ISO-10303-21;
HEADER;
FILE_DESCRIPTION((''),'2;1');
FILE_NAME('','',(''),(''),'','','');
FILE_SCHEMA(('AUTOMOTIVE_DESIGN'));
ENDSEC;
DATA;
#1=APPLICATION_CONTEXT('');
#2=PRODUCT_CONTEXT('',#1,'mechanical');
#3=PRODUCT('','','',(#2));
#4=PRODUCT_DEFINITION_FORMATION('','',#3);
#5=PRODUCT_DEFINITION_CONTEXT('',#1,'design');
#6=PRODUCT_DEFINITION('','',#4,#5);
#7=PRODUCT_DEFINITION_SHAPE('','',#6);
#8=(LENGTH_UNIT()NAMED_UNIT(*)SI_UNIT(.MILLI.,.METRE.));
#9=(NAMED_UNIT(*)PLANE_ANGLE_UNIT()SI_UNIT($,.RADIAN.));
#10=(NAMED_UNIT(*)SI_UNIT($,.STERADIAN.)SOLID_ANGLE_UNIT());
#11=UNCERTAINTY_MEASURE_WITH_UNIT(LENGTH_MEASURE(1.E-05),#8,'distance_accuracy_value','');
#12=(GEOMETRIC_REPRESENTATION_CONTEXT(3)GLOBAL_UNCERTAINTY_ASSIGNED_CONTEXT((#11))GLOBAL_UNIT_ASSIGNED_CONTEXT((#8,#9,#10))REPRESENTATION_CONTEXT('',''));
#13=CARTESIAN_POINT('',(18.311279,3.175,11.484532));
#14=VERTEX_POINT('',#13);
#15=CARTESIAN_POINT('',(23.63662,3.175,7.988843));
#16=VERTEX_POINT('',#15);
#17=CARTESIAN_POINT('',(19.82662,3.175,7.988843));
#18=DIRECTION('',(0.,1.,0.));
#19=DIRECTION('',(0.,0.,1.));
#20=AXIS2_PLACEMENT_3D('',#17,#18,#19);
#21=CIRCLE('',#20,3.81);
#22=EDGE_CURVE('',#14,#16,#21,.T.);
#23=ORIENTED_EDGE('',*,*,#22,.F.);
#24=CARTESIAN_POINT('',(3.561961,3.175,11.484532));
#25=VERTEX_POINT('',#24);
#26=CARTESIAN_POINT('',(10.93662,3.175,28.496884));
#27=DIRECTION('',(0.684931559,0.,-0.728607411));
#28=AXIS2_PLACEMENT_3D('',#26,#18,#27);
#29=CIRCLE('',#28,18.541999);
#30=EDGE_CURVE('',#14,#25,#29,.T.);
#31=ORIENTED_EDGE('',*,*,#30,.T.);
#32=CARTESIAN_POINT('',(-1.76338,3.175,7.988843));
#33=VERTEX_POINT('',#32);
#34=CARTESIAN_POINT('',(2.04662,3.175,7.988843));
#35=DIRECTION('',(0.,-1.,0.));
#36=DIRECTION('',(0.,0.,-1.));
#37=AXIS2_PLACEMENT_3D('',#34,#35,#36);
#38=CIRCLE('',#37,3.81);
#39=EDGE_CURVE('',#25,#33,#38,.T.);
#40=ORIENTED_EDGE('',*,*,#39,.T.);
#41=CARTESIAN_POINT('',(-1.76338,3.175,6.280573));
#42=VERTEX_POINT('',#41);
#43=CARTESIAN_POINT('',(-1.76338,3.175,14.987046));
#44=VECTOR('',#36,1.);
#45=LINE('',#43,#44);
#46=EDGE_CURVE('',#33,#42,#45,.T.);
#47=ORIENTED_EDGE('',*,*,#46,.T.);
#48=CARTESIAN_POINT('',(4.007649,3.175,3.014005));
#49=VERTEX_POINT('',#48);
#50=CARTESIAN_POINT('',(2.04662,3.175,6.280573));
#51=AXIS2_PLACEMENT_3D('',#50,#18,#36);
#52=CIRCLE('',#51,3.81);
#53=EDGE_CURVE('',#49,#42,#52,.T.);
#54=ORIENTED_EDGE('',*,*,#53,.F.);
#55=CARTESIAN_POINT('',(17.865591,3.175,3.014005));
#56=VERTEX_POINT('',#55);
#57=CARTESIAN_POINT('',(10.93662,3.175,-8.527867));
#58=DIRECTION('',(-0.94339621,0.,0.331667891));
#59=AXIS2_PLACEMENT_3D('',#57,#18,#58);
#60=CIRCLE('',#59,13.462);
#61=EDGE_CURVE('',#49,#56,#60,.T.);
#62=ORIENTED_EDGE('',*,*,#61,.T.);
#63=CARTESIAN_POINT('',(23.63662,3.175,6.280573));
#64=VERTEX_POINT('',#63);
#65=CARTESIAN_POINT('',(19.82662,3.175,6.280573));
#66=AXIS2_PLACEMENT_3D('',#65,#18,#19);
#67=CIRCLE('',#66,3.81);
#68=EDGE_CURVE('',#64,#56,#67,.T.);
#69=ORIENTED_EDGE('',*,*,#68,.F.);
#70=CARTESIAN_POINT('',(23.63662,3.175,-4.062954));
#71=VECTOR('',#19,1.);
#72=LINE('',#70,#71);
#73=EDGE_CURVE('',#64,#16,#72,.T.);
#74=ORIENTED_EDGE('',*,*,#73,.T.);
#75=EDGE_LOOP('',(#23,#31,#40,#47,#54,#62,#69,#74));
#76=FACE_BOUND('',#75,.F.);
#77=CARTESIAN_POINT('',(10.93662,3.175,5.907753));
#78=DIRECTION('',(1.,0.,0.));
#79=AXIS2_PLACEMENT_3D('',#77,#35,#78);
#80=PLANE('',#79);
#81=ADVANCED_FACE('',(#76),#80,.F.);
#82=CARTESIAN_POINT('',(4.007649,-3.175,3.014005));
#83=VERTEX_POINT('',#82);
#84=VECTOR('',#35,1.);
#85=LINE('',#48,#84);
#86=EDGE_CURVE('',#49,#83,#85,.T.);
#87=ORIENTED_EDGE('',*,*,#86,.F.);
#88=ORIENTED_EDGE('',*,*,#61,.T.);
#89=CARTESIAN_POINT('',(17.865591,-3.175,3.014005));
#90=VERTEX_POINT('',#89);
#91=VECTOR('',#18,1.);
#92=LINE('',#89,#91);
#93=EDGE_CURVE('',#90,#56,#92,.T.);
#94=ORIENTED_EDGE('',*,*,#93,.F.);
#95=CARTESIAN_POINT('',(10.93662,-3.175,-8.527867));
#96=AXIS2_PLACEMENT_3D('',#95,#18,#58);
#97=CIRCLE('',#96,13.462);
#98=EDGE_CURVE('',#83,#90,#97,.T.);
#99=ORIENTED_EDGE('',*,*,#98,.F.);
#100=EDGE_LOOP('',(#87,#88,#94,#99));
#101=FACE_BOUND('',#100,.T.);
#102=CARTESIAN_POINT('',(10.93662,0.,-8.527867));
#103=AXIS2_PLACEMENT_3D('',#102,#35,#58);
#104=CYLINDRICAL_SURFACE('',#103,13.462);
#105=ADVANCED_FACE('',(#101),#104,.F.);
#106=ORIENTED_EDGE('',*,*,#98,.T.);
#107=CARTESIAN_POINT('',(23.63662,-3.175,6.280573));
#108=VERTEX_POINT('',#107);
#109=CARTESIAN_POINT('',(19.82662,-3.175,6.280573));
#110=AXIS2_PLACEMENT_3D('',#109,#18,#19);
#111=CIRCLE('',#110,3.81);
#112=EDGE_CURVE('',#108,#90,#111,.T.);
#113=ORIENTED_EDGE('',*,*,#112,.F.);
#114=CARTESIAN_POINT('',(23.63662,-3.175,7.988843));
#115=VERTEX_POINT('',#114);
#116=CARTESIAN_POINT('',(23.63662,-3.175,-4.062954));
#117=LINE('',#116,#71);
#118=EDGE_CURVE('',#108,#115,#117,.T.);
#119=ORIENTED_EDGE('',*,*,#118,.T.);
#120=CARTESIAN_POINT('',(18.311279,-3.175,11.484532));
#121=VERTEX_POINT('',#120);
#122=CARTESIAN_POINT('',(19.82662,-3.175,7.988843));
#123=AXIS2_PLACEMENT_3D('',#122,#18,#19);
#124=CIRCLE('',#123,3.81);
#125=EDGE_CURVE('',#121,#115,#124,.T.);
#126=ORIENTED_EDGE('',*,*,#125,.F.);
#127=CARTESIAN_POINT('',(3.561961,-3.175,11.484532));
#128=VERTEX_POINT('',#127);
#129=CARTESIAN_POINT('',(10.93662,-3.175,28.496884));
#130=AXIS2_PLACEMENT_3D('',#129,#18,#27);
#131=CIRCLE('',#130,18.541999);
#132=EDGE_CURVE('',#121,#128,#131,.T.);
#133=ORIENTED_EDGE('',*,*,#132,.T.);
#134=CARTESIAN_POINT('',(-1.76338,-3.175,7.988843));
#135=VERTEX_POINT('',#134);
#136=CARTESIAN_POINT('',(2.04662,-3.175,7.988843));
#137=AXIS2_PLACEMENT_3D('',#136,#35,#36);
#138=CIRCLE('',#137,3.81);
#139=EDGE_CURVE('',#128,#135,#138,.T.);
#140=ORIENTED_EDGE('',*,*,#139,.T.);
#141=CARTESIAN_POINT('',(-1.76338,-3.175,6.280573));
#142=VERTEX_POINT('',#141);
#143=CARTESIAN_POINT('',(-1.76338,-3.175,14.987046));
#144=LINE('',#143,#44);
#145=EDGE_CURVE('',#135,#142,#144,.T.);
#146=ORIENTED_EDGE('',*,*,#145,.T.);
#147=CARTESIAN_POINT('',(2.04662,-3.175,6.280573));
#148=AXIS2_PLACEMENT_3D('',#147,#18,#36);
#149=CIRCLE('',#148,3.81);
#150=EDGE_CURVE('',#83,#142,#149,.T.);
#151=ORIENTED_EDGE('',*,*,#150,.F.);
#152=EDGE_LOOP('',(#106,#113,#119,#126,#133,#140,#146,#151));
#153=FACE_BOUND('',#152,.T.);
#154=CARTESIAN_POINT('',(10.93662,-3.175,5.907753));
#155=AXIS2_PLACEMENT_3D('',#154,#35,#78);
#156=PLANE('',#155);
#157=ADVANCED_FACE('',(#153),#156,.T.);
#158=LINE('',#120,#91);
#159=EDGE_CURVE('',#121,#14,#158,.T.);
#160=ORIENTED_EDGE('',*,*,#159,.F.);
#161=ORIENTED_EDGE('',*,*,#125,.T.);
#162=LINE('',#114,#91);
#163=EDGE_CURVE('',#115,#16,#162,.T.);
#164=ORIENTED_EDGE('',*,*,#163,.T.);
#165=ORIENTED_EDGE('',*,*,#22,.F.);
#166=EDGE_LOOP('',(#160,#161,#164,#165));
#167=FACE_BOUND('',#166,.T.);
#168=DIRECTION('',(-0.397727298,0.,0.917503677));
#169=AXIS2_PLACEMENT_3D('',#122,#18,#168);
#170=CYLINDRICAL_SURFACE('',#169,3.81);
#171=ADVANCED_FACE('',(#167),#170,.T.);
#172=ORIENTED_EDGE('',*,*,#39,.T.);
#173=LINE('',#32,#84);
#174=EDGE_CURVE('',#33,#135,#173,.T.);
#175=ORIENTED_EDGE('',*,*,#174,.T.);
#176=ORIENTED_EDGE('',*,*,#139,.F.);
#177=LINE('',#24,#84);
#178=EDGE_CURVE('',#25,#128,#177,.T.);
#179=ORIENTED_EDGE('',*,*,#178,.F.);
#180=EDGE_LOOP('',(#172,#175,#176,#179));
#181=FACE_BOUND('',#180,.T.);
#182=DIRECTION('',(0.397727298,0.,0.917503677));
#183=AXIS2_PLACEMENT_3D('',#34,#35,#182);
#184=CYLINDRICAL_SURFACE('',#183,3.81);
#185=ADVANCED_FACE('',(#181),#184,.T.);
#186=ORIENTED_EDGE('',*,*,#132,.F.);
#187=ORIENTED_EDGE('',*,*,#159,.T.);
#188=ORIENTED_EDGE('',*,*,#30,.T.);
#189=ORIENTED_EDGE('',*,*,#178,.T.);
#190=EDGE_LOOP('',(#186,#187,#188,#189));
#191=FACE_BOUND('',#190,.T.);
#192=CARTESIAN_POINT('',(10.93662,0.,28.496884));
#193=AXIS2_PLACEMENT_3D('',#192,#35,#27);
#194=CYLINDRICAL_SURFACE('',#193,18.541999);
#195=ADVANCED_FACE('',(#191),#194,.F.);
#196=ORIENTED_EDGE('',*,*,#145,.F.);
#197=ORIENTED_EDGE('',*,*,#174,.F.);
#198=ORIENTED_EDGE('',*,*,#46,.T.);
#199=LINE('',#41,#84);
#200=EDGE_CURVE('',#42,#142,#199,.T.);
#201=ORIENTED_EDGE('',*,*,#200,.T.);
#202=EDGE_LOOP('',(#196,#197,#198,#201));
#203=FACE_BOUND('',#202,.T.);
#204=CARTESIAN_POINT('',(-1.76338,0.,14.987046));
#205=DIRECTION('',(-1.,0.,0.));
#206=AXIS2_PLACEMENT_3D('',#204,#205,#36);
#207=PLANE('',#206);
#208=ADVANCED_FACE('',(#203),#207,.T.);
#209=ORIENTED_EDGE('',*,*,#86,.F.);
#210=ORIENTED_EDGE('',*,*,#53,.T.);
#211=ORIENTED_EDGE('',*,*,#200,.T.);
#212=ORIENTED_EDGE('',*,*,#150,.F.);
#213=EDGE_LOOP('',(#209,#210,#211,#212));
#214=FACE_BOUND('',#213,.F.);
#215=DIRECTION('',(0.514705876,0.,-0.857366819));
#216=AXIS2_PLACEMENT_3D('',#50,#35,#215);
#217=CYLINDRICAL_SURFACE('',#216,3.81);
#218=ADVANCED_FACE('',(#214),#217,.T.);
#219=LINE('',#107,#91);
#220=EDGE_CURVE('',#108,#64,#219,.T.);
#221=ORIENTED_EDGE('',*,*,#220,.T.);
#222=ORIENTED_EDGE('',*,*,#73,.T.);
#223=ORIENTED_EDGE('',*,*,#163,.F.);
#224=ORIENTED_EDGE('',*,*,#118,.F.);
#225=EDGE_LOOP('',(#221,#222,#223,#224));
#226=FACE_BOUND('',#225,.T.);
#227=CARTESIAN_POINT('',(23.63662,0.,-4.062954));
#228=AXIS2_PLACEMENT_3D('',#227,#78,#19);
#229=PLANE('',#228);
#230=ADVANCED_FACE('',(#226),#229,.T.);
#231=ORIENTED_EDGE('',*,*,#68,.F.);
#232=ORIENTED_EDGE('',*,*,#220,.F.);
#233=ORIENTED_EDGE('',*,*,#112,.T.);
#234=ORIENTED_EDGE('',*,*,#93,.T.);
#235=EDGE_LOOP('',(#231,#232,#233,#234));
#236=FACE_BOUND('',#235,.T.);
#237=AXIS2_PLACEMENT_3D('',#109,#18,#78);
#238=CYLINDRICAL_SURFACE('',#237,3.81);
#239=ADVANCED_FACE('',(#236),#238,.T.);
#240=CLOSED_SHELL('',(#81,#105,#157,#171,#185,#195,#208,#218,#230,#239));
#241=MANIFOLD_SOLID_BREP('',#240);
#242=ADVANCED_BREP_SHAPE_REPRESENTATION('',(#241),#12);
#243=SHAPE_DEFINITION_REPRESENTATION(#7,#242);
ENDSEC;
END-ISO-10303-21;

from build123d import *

# Parameters (mm, degrees)
F1_DEPTH = 3.175
F2_R     = 3.81


with BuildPart() as f1:
    # F0 (on Front) → F1 (new body, symmetric)
    with BuildSketch(Plane.XZ):
        with BuildLine():
            ThreePointArc((23.63662, 14.987046), (10.93662, 9.954885), (-1.76338, 14.987046))
            Line((-1.76338, 14.987046), (-1.76338, -4.062954))
            ThreePointArc((-1.76338, -4.062954), (10.93662, 4.934133), (23.63662, -4.062954))
            Line((23.63662, -4.062954), (23.63662, 14.987046))
        make_face()
    extrude(amount=F1_DEPTH, both=True)

    # F2
    f2_edges = [f1.edges().sort_by_distance(p)[0] for p in [
        (23.63662, 0, 14.987046),
        (23.63662, 0, -4.062954),
        (-1.76338, 0, -4.062954),
        (-1.76338, 0, 14.987046),
    ]]
    fillet(f2_edges, radius=F2_R)


solid = f1.part
